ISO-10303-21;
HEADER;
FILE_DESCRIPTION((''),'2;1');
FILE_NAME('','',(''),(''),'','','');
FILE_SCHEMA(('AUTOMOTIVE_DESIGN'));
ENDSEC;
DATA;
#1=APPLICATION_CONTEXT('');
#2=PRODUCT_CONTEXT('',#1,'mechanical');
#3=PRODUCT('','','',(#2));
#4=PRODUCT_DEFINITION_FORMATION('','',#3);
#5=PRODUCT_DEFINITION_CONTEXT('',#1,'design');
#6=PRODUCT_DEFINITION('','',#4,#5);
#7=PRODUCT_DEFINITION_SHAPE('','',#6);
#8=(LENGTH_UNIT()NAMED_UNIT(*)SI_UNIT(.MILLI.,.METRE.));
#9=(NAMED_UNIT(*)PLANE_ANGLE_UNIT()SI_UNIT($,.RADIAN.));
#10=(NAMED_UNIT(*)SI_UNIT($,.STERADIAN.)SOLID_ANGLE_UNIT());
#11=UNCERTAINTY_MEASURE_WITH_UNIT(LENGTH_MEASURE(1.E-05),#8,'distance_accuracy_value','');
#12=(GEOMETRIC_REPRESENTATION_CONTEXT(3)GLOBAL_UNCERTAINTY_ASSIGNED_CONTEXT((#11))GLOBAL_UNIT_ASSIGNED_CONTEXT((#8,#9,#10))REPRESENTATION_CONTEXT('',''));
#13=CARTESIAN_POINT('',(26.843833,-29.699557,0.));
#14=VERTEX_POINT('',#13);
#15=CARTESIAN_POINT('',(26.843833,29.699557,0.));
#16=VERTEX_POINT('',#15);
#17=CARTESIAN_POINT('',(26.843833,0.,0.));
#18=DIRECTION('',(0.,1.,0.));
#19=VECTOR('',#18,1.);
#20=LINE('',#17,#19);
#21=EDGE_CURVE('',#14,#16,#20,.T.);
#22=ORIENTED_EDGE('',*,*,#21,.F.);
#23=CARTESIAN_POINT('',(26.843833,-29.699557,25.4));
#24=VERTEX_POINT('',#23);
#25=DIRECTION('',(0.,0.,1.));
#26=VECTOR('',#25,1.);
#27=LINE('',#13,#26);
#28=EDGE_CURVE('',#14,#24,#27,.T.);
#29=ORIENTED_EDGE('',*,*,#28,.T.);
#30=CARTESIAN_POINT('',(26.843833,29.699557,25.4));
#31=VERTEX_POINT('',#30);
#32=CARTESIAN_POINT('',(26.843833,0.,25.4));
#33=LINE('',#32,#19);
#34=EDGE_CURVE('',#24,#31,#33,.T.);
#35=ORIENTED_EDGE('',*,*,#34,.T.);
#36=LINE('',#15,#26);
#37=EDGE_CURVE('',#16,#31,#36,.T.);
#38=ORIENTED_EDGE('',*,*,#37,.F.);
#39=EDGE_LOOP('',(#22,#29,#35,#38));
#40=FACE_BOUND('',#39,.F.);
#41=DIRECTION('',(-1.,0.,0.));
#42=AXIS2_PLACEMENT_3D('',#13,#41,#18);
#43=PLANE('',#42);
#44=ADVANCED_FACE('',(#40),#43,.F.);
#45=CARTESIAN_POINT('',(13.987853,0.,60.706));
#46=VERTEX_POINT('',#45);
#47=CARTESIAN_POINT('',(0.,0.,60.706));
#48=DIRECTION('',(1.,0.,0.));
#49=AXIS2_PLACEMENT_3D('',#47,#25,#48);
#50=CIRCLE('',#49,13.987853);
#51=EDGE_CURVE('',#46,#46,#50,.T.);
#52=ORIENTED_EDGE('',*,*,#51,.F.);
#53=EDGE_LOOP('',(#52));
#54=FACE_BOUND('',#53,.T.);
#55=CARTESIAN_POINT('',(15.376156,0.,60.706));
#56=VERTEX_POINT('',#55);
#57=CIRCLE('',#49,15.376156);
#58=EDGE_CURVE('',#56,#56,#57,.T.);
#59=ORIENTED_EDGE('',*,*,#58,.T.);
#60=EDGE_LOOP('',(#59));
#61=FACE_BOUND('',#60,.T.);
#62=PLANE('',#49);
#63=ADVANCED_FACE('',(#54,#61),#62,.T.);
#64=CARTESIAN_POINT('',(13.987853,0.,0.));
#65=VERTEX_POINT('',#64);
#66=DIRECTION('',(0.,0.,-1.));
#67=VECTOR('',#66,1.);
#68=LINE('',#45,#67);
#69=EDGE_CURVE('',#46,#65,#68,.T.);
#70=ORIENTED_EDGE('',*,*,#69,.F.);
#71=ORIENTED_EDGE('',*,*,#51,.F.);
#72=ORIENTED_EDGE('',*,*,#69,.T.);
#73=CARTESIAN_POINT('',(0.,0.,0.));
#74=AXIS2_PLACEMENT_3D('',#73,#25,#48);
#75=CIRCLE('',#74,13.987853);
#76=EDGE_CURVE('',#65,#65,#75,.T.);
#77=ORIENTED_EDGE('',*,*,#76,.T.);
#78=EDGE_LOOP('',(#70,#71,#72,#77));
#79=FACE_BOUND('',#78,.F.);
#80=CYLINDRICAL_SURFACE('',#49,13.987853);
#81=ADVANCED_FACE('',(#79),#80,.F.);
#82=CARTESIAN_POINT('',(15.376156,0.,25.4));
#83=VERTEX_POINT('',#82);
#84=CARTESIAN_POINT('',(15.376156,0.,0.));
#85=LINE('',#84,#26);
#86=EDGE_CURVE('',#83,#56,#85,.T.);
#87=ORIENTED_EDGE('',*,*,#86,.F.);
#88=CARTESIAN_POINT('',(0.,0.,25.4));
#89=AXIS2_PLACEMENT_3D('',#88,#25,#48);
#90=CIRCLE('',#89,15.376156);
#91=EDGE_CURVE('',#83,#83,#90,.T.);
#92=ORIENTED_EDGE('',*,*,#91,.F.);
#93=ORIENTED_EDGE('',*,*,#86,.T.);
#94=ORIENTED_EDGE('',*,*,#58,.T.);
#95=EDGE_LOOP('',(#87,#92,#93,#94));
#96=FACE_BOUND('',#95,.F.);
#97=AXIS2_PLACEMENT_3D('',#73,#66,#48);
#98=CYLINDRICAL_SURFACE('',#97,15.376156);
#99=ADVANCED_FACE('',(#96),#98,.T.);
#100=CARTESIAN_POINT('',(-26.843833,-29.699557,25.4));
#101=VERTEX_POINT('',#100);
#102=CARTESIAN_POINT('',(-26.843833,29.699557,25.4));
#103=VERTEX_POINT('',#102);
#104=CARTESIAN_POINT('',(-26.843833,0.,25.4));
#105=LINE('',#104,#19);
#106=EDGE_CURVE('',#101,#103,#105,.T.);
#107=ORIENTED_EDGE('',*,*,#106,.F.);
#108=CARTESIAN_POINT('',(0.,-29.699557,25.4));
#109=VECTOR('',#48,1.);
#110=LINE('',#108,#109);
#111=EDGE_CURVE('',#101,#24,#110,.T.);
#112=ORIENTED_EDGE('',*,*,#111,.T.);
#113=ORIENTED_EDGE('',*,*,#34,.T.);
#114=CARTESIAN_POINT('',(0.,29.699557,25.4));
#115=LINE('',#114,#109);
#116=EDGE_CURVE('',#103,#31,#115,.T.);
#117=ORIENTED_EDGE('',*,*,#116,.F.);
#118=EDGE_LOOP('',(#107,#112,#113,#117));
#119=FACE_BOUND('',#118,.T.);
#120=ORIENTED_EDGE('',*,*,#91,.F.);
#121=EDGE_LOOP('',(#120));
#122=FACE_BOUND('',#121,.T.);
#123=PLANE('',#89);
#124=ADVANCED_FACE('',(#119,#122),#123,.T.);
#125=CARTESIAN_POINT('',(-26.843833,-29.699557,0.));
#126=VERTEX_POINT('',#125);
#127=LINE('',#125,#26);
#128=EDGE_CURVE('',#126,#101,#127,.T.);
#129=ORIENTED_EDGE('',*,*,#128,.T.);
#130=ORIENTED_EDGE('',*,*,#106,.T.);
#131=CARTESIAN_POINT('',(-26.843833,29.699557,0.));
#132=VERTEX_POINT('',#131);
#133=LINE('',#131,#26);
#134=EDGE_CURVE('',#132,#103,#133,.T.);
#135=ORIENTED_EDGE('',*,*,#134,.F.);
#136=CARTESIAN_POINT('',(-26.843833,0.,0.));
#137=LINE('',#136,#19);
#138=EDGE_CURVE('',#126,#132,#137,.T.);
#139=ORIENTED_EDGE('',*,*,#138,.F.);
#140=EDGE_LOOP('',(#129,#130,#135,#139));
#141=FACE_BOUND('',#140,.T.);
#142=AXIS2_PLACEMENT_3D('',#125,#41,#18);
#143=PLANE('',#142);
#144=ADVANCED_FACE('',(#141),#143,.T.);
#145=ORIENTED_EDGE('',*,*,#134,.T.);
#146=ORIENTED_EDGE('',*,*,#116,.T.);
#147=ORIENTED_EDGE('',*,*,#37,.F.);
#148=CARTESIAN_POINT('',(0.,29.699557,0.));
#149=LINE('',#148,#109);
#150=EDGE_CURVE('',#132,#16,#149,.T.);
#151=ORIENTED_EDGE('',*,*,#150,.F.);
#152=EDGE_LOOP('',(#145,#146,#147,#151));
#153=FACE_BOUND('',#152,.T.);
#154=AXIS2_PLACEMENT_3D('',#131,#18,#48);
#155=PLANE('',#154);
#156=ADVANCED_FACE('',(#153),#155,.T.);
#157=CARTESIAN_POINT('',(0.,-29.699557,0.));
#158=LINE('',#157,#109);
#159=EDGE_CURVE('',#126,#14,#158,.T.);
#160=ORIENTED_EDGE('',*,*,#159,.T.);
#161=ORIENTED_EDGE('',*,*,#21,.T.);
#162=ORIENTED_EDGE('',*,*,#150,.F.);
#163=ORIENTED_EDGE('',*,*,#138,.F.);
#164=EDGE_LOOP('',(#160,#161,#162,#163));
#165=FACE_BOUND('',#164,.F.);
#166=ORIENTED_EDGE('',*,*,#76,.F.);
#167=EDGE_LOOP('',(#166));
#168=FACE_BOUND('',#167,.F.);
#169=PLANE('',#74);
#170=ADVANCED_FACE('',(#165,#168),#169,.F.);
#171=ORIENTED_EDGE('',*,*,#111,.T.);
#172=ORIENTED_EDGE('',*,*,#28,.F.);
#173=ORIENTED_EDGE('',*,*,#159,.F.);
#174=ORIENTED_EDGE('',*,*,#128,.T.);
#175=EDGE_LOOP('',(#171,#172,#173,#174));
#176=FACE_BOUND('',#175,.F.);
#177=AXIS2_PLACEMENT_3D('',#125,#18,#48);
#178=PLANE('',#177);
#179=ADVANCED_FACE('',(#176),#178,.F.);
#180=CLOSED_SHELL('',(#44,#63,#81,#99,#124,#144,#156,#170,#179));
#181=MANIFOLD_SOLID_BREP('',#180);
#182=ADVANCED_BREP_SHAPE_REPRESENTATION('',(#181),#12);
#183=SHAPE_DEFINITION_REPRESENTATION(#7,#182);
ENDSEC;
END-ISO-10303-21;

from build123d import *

# Parameters (mm, degrees)
F1_W     = 53.687666
F1_H     = 59.399114
F1_R     = 15.376156
F2_DEPTH = 25.4
F3_DEPTH = 60.706
F4_R     = 13.987853
F5_DEPTH = 95.25


with BuildPart() as f2:
    # F1 (on face) → F2 (new body)
    with BuildSketch(Plane.XY):
        Rectangle(F1_W, F1_H)
        Circle(F1_R, mode=Mode.SUBTRACT)
    extrude(amount=F2_DEPTH)

    # F1 (on face) → F3 (join)
    with BuildSketch(Plane.XY):
        Circle(F1_R)
    extrude(amount=F3_DEPTH)

    # F4 (on face) → F5 (cut)
    with BuildSketch(Plane.XY.offset(60.706)):
        Circle(F4_R)
    extrude(amount=-F5_DEPTH, mode=Mode.SUBTRACT)


solid = f2.part
